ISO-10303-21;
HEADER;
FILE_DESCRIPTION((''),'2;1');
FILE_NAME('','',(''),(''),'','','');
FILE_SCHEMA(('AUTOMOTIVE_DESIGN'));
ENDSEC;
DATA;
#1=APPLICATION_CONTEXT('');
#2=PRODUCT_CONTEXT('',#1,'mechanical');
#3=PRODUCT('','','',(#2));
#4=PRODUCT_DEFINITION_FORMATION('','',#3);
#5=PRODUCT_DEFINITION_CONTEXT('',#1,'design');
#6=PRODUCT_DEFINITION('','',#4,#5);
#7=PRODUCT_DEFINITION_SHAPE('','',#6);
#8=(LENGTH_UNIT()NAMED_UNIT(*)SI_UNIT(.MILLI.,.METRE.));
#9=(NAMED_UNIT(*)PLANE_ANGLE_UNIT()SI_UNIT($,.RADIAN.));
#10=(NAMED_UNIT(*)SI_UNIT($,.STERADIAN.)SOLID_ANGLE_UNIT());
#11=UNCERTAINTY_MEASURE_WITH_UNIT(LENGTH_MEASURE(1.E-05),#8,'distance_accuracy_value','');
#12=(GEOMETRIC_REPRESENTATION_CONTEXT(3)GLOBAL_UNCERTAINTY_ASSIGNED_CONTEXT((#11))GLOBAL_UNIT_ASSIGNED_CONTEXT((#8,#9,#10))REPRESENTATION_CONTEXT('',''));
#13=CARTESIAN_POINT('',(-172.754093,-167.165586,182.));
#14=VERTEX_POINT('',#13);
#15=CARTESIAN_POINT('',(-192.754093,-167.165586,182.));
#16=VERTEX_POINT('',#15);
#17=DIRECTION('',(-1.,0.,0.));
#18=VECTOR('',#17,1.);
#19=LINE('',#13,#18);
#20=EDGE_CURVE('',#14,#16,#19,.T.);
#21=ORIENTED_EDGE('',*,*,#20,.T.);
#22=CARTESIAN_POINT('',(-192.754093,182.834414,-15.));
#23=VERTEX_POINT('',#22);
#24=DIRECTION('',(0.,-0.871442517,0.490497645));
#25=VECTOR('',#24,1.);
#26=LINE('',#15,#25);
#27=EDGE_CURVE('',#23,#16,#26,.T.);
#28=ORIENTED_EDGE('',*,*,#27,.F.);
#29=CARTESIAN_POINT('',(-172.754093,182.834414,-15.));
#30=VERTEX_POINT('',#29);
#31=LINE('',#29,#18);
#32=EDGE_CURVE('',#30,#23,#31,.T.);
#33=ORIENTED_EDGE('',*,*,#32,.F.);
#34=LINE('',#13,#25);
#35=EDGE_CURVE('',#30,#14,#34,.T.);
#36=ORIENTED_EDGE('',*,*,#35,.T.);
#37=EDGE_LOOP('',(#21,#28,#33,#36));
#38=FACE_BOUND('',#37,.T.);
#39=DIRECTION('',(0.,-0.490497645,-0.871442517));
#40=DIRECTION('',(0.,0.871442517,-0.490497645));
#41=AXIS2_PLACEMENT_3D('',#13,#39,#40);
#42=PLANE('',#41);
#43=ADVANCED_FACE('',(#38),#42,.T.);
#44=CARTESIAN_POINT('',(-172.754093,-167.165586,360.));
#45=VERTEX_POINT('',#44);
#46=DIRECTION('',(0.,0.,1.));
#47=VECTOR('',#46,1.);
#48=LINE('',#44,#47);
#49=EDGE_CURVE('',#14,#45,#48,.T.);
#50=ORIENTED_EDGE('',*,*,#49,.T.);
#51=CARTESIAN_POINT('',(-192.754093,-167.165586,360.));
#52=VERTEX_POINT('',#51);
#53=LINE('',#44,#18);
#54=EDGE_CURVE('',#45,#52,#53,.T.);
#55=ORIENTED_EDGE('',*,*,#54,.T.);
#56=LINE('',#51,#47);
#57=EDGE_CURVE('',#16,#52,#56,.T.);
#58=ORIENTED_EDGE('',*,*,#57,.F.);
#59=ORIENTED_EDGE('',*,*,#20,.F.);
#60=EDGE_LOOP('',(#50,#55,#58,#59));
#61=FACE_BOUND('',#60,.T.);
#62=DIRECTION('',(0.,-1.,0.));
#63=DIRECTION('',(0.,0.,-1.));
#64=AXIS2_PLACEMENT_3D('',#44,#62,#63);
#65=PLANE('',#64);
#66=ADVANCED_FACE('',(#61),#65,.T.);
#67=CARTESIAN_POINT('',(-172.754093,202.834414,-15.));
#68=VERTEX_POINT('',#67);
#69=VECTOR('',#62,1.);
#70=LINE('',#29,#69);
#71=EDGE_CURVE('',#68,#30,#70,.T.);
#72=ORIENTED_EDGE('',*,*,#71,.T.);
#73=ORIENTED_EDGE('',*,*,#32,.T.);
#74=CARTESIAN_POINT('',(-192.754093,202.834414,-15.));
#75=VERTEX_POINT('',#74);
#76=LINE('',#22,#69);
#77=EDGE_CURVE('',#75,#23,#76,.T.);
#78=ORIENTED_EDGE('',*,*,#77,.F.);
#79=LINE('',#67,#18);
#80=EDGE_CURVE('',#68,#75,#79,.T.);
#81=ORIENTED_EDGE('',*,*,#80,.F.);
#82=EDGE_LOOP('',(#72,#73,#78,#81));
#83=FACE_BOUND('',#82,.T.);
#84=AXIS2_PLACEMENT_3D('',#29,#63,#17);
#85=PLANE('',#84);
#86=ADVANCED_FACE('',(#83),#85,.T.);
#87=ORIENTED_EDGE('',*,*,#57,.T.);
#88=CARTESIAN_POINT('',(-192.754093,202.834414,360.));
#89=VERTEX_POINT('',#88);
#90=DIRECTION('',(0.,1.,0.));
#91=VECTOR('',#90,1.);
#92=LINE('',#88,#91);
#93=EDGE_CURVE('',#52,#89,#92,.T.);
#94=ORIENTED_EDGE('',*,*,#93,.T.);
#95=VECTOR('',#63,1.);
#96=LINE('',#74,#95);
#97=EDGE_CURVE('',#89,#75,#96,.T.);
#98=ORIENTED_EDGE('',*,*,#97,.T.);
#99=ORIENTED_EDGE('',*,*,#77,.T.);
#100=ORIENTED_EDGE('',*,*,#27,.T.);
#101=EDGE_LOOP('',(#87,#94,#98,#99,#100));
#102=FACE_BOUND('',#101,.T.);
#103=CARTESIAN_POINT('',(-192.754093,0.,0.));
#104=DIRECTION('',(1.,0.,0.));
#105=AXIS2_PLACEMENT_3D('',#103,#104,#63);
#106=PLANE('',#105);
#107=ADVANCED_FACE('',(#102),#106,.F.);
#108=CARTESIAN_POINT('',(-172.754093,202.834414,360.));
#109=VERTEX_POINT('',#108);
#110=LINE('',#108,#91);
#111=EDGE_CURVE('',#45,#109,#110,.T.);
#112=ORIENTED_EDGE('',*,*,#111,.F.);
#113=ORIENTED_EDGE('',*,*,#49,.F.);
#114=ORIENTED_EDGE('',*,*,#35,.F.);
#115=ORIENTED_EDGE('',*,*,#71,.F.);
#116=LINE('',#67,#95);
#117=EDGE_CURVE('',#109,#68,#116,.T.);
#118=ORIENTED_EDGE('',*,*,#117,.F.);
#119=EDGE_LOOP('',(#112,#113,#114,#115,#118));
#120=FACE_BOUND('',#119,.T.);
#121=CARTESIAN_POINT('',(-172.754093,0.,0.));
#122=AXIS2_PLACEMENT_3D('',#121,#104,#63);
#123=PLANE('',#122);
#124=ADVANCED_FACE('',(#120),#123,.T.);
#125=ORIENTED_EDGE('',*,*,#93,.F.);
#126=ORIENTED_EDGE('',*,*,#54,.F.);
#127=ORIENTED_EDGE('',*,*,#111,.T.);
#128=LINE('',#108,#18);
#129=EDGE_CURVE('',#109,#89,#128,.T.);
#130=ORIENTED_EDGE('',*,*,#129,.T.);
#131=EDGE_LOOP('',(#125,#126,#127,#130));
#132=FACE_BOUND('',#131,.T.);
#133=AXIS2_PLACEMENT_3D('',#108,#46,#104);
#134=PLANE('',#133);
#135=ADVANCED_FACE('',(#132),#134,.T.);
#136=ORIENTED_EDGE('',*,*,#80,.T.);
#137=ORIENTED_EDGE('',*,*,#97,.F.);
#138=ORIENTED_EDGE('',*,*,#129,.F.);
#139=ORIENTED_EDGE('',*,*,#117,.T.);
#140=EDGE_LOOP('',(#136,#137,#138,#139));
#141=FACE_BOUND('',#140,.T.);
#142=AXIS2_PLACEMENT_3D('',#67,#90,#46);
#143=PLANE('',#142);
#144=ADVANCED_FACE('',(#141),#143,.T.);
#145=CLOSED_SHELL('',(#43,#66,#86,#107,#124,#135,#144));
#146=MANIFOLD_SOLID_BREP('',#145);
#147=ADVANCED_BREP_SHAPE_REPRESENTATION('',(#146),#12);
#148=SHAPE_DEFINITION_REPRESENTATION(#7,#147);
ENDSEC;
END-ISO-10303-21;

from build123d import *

# Parameters (mm, degrees)
SALIENTE_EXTRUIR1_DEPTH = 20


with BuildPart() as part:
    # Croquis2 → Saliente-Extruir1 (new body)
    with BuildSketch(Plane.ZY.offset(192.754092983)):
        Polygon((360, 202.834413862), (360, -167.165586138), (182, -167.165586138), (-15, 182.834413862), (-15, 202.834413862), align=None)
    extrude(amount=-SALIENTE_EXTRUIR1_DEPTH)


solid = part.part
